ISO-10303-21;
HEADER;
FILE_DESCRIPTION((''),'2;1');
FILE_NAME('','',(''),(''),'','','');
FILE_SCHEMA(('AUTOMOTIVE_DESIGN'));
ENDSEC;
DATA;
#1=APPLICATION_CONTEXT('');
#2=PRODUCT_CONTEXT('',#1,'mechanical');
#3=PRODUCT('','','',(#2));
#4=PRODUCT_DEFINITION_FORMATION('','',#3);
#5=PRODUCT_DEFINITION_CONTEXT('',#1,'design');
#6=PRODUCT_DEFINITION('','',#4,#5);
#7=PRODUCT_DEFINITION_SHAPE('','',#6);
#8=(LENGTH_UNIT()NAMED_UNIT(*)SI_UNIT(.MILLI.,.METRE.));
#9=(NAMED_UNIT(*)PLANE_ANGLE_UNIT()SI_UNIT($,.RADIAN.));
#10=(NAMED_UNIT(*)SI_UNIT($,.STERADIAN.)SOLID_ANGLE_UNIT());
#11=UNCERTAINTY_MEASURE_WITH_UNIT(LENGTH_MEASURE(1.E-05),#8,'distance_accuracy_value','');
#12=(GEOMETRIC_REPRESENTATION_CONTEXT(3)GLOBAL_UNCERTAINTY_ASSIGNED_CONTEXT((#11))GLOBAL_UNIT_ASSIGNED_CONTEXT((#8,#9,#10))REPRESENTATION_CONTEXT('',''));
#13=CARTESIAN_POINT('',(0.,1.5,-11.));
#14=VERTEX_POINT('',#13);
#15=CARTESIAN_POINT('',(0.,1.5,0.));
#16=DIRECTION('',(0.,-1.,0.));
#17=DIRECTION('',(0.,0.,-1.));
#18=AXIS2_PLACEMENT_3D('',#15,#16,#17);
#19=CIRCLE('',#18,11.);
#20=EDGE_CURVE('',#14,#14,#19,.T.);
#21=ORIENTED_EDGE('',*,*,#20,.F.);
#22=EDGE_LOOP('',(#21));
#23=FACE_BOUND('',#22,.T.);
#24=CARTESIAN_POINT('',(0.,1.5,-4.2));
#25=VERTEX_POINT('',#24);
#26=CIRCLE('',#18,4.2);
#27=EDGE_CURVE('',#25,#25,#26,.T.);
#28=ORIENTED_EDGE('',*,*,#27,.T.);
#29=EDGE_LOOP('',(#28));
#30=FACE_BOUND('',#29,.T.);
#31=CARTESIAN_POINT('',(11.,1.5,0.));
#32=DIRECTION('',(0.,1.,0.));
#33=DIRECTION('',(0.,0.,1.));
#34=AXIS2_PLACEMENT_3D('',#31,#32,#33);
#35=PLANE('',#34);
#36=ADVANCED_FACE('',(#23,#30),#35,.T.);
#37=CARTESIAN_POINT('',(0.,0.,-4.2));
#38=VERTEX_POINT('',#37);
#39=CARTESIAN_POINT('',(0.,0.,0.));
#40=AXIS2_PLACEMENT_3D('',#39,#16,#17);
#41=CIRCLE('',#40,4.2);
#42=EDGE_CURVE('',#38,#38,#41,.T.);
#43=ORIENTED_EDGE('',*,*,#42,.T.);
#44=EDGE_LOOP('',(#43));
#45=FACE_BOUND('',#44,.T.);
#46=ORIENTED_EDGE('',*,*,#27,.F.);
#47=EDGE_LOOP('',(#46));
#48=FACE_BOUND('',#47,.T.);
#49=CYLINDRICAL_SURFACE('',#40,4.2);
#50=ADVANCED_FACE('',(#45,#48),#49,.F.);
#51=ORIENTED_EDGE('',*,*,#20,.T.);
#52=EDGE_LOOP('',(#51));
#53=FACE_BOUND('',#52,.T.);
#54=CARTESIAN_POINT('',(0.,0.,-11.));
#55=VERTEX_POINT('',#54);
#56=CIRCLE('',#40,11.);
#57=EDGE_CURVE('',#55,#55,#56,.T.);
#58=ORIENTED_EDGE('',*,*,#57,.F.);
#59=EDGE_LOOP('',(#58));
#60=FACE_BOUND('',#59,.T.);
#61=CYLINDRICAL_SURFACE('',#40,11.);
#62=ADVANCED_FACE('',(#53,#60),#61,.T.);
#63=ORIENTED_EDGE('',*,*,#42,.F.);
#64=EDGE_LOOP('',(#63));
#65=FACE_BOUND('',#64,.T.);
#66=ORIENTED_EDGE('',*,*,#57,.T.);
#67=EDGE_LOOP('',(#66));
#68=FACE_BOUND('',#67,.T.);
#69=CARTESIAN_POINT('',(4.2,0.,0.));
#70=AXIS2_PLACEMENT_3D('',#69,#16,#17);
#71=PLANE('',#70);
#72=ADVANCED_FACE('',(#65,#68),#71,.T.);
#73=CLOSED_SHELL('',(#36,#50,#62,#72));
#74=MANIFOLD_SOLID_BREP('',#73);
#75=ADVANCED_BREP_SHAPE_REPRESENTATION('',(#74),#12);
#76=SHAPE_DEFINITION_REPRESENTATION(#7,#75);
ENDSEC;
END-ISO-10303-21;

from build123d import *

# Parameters (mm, degrees)
ESQUISSE1_W = 6.8
ESQUISSE1_H = 1.5


with BuildPart() as part:
    # Esquisse1 → Base (revolve)
    with BuildSketch(Plane.XY):
        with Locations((7.6, 0.75)):
            Rectangle(ESQUISSE1_W, ESQUISSE1_H)
    revolve(axis=Axis((0, 0, 0), (0, 1, 0)))


solid = part.part
